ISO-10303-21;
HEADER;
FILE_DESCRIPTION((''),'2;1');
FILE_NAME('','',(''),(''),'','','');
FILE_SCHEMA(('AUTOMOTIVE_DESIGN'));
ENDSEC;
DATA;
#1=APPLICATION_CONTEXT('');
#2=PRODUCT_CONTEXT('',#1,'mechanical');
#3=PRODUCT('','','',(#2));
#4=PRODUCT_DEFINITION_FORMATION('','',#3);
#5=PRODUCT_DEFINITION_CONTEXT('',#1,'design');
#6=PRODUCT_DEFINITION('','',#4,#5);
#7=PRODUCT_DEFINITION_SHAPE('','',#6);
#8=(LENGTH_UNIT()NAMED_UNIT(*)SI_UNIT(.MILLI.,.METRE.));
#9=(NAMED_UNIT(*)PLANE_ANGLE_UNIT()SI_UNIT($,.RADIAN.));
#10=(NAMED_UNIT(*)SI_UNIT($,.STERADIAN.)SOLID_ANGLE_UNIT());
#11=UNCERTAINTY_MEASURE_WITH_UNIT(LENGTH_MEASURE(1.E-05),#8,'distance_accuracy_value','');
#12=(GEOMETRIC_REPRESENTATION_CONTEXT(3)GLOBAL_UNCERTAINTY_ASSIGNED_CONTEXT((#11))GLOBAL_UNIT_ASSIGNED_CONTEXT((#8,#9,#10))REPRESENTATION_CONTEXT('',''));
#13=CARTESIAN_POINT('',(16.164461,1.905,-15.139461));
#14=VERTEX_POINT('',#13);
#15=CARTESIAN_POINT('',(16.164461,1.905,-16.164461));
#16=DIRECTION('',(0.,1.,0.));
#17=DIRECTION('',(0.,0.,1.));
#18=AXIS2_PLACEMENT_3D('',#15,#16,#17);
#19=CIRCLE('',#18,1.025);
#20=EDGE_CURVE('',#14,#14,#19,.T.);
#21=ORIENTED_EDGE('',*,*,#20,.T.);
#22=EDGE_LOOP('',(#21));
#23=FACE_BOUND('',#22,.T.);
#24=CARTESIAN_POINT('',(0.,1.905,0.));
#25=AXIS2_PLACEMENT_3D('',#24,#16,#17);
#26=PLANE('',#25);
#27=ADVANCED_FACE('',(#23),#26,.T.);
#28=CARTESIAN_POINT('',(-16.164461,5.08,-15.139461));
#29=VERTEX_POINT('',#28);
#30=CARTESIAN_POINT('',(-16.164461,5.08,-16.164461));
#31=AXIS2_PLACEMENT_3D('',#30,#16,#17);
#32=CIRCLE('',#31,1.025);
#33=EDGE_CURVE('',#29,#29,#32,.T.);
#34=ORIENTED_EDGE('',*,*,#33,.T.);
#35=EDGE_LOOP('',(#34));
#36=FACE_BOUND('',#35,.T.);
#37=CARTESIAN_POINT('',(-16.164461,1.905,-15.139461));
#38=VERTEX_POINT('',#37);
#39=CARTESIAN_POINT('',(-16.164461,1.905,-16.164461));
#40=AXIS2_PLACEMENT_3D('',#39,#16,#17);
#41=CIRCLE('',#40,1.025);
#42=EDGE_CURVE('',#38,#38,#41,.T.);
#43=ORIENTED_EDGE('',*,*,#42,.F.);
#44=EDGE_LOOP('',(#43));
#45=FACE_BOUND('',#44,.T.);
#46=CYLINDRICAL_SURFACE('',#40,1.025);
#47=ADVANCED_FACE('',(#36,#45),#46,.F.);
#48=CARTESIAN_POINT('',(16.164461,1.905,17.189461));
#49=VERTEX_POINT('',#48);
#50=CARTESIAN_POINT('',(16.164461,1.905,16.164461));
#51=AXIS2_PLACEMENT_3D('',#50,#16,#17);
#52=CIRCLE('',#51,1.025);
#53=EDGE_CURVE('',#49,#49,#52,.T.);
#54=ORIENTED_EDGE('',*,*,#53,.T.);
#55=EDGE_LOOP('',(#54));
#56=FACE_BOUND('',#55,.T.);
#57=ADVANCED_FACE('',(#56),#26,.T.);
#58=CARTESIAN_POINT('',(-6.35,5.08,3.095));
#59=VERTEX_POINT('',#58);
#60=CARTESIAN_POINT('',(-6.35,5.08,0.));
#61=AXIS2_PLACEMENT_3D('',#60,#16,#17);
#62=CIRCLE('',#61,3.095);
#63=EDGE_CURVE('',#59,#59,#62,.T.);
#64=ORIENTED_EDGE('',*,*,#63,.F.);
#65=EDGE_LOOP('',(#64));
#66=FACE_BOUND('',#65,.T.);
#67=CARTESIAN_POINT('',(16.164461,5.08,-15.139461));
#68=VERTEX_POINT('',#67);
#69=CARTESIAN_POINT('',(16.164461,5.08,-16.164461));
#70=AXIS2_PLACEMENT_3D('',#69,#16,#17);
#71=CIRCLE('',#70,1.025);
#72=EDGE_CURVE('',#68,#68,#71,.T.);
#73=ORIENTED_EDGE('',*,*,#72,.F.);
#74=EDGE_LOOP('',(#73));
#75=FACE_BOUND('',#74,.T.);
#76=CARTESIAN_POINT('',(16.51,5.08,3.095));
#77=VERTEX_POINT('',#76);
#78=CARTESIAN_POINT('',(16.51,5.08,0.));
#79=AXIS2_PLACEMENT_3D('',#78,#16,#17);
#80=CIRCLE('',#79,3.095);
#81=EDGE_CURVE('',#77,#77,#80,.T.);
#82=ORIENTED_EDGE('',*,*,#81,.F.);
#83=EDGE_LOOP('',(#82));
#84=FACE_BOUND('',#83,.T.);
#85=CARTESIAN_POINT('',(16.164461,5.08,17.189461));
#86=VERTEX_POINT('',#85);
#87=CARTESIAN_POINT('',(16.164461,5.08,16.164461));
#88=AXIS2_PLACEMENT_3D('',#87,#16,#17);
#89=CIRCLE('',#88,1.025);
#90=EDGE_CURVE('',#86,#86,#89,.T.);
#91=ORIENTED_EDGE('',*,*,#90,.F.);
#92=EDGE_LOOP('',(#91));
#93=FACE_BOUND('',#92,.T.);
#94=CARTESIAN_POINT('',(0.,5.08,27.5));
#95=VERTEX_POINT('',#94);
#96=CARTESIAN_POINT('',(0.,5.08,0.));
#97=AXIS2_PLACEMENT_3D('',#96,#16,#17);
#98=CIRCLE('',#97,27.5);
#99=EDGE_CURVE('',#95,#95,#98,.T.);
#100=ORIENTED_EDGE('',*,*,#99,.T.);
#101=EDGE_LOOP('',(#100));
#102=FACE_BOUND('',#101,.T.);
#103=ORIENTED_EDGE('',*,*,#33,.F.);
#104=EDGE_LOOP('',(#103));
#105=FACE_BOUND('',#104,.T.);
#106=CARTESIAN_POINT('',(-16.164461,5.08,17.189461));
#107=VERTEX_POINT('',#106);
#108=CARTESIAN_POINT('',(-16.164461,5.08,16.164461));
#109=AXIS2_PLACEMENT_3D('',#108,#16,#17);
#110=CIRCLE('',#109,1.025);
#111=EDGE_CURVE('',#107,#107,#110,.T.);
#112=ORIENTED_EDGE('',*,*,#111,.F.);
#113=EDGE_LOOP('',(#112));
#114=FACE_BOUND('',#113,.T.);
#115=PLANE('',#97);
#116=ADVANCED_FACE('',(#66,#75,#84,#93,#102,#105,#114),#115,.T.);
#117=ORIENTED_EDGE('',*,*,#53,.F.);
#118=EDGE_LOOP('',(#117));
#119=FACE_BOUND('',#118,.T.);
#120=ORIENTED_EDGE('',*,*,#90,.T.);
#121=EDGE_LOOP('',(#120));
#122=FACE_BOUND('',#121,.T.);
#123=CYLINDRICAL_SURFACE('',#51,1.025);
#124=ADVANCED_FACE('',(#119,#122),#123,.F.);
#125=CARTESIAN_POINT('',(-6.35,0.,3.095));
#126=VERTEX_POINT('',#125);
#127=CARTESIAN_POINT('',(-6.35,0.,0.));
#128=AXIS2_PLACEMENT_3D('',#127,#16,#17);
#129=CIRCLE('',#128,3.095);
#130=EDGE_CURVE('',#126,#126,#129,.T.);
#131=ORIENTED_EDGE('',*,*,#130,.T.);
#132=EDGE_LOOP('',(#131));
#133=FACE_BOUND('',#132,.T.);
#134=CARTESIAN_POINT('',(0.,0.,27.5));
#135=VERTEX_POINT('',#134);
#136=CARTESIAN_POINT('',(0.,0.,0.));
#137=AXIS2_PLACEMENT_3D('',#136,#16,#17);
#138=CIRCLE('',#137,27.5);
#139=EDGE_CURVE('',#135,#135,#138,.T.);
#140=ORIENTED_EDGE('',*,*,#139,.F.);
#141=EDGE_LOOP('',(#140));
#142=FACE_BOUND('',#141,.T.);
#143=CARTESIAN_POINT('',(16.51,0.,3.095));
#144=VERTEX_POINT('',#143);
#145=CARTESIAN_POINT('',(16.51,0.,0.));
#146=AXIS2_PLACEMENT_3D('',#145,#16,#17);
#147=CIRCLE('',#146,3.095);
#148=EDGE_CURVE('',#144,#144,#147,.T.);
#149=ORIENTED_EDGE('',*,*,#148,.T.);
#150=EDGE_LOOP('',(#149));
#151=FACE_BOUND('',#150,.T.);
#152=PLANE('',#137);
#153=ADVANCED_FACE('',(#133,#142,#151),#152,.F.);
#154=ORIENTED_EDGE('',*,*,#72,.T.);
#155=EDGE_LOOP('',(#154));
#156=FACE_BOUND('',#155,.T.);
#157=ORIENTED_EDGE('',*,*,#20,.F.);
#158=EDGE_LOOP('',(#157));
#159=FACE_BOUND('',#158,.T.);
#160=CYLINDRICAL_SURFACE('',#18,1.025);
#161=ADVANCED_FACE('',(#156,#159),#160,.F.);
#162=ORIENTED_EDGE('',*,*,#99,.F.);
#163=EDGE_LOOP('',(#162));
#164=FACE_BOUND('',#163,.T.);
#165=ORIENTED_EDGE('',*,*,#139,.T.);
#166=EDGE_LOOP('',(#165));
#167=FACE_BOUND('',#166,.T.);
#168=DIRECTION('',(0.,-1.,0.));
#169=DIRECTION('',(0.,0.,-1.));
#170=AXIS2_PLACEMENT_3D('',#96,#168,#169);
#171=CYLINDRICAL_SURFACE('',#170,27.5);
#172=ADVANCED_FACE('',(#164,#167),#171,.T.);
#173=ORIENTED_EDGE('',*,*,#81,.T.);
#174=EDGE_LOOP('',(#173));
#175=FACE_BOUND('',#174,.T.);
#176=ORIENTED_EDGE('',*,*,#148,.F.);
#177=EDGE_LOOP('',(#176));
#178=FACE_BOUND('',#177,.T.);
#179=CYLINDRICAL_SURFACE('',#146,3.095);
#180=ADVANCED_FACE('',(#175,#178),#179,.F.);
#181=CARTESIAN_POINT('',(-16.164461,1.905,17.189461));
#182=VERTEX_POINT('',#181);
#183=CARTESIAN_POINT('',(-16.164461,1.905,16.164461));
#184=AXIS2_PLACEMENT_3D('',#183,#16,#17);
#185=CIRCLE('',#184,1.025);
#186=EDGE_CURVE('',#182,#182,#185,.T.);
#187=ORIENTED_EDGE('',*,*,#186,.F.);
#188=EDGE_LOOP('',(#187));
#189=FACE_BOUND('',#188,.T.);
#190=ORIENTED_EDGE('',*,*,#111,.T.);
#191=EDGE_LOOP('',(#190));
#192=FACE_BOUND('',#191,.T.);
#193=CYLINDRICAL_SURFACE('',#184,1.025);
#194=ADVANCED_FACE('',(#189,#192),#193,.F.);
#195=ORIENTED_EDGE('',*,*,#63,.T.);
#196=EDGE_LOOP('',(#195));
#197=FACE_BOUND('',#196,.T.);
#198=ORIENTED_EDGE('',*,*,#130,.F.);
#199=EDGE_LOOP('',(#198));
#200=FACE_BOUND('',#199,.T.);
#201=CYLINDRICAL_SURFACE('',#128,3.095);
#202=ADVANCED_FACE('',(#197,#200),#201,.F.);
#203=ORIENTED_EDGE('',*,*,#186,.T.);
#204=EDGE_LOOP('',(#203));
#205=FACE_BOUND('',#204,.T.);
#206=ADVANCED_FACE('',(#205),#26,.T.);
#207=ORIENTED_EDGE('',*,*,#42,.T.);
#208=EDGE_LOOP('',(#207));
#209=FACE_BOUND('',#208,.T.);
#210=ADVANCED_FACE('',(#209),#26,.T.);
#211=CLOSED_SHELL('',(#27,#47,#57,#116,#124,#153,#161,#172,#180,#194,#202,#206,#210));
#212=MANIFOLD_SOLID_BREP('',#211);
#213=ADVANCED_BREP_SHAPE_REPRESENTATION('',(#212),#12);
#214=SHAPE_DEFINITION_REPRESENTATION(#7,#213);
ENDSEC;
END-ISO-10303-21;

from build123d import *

# Parameters (mm, degrees)
SKETCH1_R           = 27.5
BOSS_EXTRUDE1_DEPTH = 5.08
SKETCH2_R           = 1.025
CUT_EXTRUDE1_DEPTH  = 3.175
SKETCH3_R           = 3.095
CUT_EXTRUDE2_DEPTH  = 40.221249343


with BuildPart() as part:
    # Sketch1 → Boss-Extrude1 (new body)
    with BuildSketch(Plane(origin=(0, 0, 0), x_dir=(1, 0, 0), z_dir=(0, 1, 0))):
        with Locations(Location((0, 0, 0), (0, 0, 270))):
            Circle(SKETCH1_R)
    extrude(amount=BOSS_EXTRUDE1_DEPTH)

    # Sketch2 → Cut-Extrude1 (cut)
    with BuildSketch(Plane(origin=(0, 5.08, 0), x_dir=(1, 0, 0), z_dir=(0, 1, 0))):
        with Locations(Location((16.164461018, 16.164461018, 0), (0, 0, 270))):
            Circle(SKETCH2_R)
        with Locations(Location((16.164461018, -16.164461018, 0), (0, 0, 270))):
            Circle(SKETCH2_R)
        with Locations(Location((-16.164461018, -16.164461018, 0), (0, 0, 270))):
            Circle(SKETCH2_R)
        with Locations(Location((-16.164461018, 16.164461018, 0), (0, 0, 270))):
            Circle(SKETCH2_R)
    extrude(amount=-CUT_EXTRUDE1_DEPTH, mode=Mode.SUBTRACT)

    # Sketch3 → Cut-Extrude2 (cut, through all)
    with BuildSketch(Plane(origin=(0, 5.08, 0), x_dir=(1, 0, 0), z_dir=(0, 1, 0))):
        with Locations(Location((-6.35, 0, 0), (0, 0, 270))):
            Circle(SKETCH3_R)
        with Locations(Location((16.51, 0, 0), (0, 0, 270))):
            Circle(SKETCH3_R)
    extrude(amount=-CUT_EXTRUDE2_DEPTH, mode=Mode.SUBTRACT)


solid = part.part
